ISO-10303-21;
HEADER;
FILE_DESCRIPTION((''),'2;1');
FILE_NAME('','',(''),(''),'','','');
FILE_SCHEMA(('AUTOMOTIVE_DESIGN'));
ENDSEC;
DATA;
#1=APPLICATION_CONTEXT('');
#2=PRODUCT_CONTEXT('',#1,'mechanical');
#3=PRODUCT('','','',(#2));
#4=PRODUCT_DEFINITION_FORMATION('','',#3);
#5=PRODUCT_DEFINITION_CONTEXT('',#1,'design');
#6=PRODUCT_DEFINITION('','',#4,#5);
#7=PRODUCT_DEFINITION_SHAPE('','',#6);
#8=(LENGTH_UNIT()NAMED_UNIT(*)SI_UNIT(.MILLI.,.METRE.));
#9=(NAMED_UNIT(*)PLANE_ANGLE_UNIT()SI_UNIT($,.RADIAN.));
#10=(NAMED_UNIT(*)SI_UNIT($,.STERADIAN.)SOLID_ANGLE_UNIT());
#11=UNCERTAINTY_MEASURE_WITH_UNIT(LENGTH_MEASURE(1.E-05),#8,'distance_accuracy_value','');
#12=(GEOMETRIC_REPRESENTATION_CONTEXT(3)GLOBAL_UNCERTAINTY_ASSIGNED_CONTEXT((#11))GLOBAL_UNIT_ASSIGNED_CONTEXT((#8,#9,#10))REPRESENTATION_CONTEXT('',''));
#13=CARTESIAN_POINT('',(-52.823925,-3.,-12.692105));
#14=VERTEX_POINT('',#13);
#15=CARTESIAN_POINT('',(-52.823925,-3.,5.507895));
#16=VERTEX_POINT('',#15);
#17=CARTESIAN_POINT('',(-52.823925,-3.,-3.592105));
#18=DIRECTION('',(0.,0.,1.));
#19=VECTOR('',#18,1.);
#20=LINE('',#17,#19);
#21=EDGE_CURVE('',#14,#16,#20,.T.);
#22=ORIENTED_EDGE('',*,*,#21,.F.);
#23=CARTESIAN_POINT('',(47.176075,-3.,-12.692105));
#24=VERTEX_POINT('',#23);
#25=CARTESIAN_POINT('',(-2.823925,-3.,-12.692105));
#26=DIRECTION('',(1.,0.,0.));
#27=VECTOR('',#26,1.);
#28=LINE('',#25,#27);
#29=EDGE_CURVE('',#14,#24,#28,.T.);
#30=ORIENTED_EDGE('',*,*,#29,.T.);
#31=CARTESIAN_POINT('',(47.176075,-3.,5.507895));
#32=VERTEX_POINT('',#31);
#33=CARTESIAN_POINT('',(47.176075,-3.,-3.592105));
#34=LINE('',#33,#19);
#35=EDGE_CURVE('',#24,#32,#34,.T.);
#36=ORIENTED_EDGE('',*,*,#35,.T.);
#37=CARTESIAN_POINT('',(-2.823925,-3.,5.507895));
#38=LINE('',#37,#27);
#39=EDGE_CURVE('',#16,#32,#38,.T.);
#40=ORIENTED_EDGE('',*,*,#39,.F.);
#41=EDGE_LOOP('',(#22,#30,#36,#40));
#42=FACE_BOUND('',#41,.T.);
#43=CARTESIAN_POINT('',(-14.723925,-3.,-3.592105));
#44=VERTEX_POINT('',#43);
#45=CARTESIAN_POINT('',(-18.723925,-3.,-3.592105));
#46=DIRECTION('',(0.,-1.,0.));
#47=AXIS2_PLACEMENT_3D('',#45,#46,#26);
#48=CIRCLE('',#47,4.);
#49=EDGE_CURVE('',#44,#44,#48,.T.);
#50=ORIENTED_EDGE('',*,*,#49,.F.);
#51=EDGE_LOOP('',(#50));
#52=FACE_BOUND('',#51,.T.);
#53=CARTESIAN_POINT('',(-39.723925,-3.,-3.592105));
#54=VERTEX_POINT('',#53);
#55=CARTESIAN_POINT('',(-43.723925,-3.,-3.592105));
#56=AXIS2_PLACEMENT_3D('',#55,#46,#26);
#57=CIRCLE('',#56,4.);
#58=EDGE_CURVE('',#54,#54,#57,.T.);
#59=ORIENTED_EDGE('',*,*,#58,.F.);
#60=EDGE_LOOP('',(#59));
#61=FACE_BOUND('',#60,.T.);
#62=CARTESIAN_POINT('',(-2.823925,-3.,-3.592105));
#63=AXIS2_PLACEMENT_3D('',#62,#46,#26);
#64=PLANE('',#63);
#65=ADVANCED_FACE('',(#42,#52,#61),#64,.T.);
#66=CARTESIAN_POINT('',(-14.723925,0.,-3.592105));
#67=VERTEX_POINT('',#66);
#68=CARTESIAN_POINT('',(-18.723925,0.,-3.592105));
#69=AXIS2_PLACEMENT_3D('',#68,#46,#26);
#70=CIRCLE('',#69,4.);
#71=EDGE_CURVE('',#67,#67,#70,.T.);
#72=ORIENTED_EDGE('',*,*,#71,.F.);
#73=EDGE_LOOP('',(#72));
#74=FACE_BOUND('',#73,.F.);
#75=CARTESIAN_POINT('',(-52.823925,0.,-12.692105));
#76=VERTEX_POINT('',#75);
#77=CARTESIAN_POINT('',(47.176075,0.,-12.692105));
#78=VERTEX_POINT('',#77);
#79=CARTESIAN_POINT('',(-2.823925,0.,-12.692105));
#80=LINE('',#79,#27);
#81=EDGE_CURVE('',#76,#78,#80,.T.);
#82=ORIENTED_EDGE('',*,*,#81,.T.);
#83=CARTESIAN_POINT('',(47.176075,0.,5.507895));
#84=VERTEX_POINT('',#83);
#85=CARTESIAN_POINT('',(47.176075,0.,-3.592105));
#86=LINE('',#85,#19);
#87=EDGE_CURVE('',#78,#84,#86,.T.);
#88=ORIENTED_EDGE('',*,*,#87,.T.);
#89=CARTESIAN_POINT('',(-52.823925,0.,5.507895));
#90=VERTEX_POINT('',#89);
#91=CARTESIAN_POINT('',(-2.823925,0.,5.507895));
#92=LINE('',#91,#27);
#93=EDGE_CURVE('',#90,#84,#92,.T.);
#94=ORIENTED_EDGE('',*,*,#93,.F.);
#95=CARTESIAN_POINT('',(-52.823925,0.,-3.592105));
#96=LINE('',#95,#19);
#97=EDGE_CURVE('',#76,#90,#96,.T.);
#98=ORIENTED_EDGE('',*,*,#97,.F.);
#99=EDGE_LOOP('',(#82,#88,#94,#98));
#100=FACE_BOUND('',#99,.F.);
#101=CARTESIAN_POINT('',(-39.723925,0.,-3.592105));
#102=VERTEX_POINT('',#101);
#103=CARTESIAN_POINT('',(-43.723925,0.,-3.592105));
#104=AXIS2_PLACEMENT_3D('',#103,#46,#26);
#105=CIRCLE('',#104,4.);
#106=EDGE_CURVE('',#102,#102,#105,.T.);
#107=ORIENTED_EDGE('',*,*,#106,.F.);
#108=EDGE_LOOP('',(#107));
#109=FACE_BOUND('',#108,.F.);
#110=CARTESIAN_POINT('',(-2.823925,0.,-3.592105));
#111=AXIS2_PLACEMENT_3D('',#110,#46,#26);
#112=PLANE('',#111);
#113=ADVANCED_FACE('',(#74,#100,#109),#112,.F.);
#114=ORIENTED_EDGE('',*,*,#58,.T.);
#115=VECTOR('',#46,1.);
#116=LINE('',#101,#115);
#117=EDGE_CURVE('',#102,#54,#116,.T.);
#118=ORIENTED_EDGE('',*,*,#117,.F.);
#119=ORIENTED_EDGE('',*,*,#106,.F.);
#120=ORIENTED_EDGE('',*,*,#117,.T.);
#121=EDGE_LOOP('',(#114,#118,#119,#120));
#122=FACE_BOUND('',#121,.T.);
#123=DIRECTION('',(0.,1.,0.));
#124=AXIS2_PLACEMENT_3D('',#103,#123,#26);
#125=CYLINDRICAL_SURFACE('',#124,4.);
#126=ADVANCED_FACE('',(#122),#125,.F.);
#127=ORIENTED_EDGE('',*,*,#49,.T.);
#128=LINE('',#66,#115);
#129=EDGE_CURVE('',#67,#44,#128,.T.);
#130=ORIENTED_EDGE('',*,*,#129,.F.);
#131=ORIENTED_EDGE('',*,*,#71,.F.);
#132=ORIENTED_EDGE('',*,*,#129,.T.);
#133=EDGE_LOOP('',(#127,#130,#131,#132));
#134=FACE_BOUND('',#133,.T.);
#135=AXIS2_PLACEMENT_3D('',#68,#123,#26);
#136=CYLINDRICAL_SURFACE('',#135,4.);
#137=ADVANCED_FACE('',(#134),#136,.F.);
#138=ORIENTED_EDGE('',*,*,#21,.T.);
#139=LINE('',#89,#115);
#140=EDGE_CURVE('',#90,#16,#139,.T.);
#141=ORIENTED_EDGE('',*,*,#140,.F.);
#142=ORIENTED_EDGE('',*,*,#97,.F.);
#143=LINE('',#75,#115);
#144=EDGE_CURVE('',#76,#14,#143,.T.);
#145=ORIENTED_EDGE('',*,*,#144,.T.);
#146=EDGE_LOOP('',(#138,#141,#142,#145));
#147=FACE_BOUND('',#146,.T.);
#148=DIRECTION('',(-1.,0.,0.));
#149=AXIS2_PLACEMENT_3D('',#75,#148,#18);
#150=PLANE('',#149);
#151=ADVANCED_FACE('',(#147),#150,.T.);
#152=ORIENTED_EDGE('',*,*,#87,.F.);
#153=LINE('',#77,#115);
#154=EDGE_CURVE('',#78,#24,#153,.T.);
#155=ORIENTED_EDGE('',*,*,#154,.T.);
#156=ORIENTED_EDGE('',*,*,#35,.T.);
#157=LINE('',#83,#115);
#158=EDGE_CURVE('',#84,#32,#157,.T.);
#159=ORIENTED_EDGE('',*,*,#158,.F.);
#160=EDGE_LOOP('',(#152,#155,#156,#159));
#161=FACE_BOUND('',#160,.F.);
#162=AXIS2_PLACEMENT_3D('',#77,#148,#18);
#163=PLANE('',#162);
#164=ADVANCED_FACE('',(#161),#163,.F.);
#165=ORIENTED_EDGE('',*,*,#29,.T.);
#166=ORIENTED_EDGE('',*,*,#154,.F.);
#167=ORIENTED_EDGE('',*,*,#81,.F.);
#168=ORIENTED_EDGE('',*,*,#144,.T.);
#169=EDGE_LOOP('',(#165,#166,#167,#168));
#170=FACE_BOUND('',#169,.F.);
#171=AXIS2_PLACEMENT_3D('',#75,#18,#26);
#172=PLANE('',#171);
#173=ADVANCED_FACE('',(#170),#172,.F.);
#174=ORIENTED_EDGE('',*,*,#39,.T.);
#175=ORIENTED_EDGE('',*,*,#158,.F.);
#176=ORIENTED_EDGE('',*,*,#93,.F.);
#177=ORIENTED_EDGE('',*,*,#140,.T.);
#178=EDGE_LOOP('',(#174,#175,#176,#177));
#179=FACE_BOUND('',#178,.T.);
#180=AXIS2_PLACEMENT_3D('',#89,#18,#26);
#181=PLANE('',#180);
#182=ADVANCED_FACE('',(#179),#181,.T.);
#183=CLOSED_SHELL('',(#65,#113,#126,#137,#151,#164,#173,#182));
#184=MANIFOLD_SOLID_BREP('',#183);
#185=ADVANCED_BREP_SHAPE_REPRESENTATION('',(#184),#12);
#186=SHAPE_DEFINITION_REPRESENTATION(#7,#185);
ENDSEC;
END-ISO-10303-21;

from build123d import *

# Parameters (mm, degrees)
F0_W     = 100
F0_H     = 18.2
F0_R     = 4
F1_DEPTH = 3


with BuildPart() as f1:
    # F0 (on Front) → F1 (new body)
    with BuildSketch(Plane.XZ):
        with Locations((-2.823925, -3.592105)):
            Rectangle(F0_W, F0_H)
        with Locations((-43.723925, -3.592105)):
            Circle(F0_R, mode=Mode.SUBTRACT)
        with Locations((-18.723925, -3.592105)):
            Circle(F0_R, mode=Mode.SUBTRACT)
    extrude(amount=F1_DEPTH)


solid = f1.part
